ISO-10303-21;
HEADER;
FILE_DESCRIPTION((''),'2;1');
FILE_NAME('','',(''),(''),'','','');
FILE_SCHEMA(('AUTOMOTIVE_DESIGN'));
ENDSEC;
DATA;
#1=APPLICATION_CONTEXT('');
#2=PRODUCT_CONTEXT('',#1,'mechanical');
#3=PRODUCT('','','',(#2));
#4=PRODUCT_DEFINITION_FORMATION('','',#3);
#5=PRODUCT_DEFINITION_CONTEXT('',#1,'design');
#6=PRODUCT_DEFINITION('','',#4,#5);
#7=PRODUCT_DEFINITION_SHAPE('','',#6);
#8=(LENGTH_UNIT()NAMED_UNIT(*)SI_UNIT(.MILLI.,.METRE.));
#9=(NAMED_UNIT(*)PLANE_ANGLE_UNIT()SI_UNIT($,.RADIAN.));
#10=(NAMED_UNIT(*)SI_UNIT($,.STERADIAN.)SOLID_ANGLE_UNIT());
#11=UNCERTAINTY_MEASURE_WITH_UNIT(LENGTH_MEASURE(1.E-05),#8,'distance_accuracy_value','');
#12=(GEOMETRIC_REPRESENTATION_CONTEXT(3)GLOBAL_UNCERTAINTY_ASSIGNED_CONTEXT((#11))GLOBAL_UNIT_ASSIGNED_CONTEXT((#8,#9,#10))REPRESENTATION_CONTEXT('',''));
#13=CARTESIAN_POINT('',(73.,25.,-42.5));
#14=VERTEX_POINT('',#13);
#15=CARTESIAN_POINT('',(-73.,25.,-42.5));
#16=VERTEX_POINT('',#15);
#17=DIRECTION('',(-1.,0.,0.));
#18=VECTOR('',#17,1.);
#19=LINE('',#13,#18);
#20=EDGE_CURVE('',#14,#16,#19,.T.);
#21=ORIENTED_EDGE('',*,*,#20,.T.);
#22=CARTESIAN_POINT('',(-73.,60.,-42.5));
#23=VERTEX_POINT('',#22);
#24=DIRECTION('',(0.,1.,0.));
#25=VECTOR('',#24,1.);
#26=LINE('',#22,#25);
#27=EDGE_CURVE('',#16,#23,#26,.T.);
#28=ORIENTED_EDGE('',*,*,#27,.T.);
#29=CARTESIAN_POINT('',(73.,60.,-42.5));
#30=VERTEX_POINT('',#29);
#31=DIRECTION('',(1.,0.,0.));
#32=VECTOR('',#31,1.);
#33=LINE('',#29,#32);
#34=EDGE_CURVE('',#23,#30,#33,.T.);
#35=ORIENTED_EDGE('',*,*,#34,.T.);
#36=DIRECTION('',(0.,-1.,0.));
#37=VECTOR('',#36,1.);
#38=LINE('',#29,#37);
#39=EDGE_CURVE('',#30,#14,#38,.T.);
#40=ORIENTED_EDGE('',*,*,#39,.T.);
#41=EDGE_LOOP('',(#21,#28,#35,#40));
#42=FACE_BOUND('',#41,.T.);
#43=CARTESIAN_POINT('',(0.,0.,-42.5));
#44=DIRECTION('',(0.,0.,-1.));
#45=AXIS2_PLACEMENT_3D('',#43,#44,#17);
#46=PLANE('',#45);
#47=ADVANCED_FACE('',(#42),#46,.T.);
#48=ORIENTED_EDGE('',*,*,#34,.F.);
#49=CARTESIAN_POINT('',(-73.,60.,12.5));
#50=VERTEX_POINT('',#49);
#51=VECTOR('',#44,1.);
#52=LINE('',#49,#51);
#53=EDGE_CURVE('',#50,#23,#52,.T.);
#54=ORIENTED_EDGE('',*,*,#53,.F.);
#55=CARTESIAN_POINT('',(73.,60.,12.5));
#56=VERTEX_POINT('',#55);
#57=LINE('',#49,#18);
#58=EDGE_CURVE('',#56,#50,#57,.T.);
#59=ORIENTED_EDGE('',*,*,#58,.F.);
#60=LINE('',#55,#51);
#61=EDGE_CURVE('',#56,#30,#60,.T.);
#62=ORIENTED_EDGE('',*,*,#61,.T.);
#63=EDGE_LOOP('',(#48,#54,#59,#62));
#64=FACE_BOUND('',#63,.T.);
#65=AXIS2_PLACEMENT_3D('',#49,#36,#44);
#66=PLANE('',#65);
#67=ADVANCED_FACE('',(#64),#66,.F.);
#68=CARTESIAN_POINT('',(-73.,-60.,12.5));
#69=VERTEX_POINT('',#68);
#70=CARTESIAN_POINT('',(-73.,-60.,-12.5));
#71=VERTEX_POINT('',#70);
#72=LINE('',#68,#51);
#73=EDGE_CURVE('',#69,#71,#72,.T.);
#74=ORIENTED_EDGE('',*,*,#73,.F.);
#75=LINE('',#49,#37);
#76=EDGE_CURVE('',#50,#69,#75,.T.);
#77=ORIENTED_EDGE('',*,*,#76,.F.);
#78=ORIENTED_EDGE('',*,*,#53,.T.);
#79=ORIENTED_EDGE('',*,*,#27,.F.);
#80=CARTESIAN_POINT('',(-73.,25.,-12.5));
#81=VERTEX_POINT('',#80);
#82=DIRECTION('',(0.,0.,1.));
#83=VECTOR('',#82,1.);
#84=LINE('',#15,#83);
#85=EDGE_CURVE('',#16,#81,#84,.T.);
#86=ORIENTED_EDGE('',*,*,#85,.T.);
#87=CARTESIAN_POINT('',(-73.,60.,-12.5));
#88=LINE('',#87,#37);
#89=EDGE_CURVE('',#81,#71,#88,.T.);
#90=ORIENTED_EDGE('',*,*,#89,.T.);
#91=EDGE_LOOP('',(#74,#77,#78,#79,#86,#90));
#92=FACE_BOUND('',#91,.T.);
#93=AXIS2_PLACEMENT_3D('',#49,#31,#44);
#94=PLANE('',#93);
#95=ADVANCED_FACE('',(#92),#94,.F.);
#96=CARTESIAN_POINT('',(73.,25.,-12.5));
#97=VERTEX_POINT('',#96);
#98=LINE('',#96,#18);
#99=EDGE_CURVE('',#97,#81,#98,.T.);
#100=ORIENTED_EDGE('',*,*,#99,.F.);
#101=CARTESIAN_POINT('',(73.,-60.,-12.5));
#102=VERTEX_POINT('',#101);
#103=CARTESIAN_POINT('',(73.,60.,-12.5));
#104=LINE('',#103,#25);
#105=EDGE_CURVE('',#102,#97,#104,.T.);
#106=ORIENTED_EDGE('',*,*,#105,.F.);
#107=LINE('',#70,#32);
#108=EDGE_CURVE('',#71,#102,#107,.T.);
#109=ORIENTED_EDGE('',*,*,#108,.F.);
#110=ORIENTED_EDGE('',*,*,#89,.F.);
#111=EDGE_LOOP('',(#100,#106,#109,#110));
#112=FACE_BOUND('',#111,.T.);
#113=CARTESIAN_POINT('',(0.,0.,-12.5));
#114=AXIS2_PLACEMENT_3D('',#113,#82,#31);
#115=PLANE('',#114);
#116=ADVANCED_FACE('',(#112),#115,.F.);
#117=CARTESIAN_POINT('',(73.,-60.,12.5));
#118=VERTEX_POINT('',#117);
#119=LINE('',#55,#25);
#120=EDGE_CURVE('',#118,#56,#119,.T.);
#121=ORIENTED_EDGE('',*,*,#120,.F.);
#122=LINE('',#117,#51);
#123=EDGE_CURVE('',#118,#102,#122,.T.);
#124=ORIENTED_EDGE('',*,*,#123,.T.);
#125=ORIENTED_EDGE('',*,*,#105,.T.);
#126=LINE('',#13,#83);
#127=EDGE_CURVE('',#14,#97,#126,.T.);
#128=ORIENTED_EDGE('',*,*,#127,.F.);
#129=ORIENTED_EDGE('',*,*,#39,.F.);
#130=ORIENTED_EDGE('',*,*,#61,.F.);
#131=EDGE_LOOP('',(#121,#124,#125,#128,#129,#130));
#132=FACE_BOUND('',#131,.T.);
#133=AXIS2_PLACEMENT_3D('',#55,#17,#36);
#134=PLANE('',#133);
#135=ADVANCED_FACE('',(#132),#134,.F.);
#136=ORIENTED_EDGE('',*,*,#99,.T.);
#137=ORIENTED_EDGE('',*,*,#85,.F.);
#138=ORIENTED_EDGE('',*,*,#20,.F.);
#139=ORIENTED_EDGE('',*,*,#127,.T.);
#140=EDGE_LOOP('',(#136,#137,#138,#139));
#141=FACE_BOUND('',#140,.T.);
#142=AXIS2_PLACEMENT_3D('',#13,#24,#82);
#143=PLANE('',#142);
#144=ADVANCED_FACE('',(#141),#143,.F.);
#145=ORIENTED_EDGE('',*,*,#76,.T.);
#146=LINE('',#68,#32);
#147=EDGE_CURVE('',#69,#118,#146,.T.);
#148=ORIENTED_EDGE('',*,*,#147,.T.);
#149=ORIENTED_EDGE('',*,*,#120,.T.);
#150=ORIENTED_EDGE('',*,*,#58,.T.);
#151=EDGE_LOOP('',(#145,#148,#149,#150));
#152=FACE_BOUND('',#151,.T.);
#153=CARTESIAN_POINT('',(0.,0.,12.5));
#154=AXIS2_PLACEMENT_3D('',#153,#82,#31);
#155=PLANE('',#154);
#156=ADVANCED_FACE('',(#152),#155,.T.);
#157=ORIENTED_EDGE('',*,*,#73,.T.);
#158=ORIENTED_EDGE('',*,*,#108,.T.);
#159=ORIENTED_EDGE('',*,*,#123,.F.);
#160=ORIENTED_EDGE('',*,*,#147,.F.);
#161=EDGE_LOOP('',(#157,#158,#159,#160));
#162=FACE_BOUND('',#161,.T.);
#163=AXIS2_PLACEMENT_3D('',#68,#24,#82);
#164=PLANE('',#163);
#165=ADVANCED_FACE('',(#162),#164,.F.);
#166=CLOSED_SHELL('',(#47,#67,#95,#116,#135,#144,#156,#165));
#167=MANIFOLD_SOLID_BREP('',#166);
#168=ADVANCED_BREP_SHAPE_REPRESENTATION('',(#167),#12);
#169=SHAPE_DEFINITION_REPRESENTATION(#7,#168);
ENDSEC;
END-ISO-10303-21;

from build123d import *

# Parameters (mm, degrees)
SKETCH_1_W      = 146
SKETCH_1_H      = 120
EXTRUDE_1_DEPTH = 12.5
SKETCH_2_W      = 146
SKETCH_2_H      = 35
EXTRUDE_2_DEPTH = 30


with BuildPart() as part:
    # 草图1 → 凸台-拉伸1 (new, symmetric)
    with BuildSketch(Plane.XY):
        Rectangle(SKETCH_1_W, SKETCH_1_H)
    extrude(amount=EXTRUDE_1_DEPTH, both=True)

    # 草图2 → 凸台-拉伸2 (add)
    with BuildSketch(Plane(origin=(0, 0, -12.5), x_dir=(-1, 0, 0), z_dir=(0, 0, -1))):
        with Locations((0, 42.5)):
            Rectangle(SKETCH_2_W, SKETCH_2_H)
    extrude(amount=EXTRUDE_2_DEPTH)


solid = part.part
